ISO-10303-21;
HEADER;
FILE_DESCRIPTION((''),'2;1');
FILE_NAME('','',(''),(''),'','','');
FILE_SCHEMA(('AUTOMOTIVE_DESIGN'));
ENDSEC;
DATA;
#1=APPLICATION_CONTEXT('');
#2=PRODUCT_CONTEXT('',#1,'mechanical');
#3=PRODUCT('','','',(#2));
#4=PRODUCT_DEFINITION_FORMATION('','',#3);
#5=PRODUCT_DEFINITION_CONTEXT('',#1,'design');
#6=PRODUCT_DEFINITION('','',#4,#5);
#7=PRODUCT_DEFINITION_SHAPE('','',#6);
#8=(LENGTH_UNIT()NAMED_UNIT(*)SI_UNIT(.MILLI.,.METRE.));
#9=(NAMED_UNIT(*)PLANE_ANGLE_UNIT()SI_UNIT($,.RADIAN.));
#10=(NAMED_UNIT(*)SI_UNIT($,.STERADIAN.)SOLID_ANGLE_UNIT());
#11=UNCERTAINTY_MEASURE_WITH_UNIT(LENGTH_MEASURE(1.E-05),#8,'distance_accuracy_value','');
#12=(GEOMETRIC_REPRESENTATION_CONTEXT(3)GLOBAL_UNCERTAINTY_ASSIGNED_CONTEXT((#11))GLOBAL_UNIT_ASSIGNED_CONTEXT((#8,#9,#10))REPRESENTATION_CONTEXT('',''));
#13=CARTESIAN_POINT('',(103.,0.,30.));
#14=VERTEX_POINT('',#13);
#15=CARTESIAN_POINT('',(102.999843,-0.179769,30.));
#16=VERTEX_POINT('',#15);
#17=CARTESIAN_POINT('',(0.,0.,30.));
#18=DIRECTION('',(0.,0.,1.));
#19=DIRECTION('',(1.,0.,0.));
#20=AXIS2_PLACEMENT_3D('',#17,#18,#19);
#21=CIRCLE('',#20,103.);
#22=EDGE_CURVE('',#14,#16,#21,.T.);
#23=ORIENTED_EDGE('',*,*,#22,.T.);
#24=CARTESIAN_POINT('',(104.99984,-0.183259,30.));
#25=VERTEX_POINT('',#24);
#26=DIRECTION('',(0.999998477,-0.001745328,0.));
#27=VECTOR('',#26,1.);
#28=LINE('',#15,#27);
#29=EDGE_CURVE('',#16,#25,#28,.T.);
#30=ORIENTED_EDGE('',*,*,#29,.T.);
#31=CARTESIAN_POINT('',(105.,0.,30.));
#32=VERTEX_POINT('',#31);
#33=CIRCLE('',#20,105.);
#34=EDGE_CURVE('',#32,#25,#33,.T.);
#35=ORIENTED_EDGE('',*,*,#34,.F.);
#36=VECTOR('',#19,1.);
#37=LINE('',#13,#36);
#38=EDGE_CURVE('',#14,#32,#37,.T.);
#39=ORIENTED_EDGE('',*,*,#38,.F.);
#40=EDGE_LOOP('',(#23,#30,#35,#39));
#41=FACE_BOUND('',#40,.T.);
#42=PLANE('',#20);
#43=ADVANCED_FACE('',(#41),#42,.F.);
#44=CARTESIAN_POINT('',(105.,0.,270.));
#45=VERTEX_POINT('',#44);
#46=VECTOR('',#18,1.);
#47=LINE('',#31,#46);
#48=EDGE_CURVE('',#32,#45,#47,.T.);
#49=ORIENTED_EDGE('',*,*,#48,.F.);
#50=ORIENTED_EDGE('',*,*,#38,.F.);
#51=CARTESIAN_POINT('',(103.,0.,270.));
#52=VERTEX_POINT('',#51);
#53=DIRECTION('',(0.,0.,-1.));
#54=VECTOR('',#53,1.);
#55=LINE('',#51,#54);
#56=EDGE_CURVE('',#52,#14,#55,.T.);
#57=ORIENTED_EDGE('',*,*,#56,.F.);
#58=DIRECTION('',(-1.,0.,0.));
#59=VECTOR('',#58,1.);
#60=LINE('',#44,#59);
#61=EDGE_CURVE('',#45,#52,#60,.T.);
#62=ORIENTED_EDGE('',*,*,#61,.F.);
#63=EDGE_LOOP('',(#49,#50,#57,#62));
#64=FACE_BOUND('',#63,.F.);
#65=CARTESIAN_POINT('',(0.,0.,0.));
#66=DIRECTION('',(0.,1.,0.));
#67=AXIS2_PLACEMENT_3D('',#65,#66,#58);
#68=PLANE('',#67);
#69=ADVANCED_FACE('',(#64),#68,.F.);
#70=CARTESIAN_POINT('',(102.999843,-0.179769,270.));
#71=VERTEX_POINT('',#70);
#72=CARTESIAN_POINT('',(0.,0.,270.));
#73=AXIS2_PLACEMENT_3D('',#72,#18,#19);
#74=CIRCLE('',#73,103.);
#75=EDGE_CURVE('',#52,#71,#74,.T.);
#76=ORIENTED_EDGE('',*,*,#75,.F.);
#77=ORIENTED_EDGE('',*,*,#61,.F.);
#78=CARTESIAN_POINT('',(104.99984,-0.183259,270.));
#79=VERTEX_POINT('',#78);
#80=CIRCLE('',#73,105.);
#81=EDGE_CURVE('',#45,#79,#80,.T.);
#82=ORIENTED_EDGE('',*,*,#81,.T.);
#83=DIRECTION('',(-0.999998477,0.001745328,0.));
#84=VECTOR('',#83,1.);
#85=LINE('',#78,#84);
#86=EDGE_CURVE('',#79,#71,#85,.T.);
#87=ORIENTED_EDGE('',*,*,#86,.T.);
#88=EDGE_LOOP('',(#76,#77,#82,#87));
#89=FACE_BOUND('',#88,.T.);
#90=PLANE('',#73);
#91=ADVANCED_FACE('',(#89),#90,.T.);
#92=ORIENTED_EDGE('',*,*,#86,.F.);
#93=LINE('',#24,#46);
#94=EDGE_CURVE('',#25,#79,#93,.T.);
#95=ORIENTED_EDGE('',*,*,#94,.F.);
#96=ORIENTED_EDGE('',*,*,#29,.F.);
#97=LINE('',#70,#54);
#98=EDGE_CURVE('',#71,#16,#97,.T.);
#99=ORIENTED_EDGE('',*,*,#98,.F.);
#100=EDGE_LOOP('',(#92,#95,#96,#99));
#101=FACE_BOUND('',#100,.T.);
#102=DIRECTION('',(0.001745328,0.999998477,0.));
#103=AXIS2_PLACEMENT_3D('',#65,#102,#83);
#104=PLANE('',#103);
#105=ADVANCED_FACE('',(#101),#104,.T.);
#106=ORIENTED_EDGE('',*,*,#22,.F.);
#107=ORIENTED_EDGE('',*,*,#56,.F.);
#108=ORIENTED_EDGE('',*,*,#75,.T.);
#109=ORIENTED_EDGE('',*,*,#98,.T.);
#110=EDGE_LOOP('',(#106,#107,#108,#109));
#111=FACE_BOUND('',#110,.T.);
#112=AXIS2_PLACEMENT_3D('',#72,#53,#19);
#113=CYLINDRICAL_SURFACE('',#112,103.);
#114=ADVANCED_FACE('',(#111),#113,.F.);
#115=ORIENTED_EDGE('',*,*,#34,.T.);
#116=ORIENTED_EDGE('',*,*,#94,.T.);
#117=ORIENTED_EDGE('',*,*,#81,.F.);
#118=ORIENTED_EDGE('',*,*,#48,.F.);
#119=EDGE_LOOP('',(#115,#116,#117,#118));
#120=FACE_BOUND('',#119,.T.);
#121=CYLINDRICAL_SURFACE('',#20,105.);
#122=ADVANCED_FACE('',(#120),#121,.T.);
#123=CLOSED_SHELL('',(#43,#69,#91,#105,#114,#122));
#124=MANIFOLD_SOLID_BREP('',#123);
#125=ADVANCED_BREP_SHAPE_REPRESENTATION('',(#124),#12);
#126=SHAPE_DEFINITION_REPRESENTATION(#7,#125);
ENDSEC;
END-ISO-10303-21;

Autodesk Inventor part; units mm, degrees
ref_plane "YZ Plane" through (0, 0, 0) normal (1, 0, 0) x (0, 1, 0)
ref_plane "XZ Plane" through (0, 0, 0) normal (0, 1, 0) x (-1, 0, 0)
ref_plane "XY Plane" through (0, 0, 0) normal (0, 0, 1) x (1, 0, 0)
sketch "Sketch2" plane through (0, 0, 0) normal (0, 1, 0) x (-1, 0, 0)
  line L0 (0, 0) -> (0, 275.0943)
  line L1 (-103, 30) -> (-105, 30)
  line L2 (-105, 30) -> (-105, 270)
  line L3 (-105, 270) -> (-103, 270)
  line L4 (-103, 270) -> (-103, 30)
  dimension "d4" = 240
  dimension "d5" = 2
  dimension "d6" = 210
revolve "Revolution1" add sketch "Sketch2" angle 359.9 about axis through (0, 0, 0) along (0, 0, 1)
equation "\"d5\" = Thickness"
equation "\"BendRadius\" = Thickness"
equation "\"BendReliefWidth\" = Thickness"
equation "\"BendReliefDepth\" = 0.5 * Thickness"
equation "\"CornerReliefSize\" = 4 * Thickness"
equation "\"MinimumRemnant\" = 2 * Thickness"
equation "\"TransitionRadius\" = BendRadius"
equation "\"JacobiRadiusSize\" = BendRadius"
equation "\"GapSize\" = Thickness"
equation "\"Thickness\" = 2"
properties part number "TKS 3103 TOP DS outer tube" material "Stainless Steel"
